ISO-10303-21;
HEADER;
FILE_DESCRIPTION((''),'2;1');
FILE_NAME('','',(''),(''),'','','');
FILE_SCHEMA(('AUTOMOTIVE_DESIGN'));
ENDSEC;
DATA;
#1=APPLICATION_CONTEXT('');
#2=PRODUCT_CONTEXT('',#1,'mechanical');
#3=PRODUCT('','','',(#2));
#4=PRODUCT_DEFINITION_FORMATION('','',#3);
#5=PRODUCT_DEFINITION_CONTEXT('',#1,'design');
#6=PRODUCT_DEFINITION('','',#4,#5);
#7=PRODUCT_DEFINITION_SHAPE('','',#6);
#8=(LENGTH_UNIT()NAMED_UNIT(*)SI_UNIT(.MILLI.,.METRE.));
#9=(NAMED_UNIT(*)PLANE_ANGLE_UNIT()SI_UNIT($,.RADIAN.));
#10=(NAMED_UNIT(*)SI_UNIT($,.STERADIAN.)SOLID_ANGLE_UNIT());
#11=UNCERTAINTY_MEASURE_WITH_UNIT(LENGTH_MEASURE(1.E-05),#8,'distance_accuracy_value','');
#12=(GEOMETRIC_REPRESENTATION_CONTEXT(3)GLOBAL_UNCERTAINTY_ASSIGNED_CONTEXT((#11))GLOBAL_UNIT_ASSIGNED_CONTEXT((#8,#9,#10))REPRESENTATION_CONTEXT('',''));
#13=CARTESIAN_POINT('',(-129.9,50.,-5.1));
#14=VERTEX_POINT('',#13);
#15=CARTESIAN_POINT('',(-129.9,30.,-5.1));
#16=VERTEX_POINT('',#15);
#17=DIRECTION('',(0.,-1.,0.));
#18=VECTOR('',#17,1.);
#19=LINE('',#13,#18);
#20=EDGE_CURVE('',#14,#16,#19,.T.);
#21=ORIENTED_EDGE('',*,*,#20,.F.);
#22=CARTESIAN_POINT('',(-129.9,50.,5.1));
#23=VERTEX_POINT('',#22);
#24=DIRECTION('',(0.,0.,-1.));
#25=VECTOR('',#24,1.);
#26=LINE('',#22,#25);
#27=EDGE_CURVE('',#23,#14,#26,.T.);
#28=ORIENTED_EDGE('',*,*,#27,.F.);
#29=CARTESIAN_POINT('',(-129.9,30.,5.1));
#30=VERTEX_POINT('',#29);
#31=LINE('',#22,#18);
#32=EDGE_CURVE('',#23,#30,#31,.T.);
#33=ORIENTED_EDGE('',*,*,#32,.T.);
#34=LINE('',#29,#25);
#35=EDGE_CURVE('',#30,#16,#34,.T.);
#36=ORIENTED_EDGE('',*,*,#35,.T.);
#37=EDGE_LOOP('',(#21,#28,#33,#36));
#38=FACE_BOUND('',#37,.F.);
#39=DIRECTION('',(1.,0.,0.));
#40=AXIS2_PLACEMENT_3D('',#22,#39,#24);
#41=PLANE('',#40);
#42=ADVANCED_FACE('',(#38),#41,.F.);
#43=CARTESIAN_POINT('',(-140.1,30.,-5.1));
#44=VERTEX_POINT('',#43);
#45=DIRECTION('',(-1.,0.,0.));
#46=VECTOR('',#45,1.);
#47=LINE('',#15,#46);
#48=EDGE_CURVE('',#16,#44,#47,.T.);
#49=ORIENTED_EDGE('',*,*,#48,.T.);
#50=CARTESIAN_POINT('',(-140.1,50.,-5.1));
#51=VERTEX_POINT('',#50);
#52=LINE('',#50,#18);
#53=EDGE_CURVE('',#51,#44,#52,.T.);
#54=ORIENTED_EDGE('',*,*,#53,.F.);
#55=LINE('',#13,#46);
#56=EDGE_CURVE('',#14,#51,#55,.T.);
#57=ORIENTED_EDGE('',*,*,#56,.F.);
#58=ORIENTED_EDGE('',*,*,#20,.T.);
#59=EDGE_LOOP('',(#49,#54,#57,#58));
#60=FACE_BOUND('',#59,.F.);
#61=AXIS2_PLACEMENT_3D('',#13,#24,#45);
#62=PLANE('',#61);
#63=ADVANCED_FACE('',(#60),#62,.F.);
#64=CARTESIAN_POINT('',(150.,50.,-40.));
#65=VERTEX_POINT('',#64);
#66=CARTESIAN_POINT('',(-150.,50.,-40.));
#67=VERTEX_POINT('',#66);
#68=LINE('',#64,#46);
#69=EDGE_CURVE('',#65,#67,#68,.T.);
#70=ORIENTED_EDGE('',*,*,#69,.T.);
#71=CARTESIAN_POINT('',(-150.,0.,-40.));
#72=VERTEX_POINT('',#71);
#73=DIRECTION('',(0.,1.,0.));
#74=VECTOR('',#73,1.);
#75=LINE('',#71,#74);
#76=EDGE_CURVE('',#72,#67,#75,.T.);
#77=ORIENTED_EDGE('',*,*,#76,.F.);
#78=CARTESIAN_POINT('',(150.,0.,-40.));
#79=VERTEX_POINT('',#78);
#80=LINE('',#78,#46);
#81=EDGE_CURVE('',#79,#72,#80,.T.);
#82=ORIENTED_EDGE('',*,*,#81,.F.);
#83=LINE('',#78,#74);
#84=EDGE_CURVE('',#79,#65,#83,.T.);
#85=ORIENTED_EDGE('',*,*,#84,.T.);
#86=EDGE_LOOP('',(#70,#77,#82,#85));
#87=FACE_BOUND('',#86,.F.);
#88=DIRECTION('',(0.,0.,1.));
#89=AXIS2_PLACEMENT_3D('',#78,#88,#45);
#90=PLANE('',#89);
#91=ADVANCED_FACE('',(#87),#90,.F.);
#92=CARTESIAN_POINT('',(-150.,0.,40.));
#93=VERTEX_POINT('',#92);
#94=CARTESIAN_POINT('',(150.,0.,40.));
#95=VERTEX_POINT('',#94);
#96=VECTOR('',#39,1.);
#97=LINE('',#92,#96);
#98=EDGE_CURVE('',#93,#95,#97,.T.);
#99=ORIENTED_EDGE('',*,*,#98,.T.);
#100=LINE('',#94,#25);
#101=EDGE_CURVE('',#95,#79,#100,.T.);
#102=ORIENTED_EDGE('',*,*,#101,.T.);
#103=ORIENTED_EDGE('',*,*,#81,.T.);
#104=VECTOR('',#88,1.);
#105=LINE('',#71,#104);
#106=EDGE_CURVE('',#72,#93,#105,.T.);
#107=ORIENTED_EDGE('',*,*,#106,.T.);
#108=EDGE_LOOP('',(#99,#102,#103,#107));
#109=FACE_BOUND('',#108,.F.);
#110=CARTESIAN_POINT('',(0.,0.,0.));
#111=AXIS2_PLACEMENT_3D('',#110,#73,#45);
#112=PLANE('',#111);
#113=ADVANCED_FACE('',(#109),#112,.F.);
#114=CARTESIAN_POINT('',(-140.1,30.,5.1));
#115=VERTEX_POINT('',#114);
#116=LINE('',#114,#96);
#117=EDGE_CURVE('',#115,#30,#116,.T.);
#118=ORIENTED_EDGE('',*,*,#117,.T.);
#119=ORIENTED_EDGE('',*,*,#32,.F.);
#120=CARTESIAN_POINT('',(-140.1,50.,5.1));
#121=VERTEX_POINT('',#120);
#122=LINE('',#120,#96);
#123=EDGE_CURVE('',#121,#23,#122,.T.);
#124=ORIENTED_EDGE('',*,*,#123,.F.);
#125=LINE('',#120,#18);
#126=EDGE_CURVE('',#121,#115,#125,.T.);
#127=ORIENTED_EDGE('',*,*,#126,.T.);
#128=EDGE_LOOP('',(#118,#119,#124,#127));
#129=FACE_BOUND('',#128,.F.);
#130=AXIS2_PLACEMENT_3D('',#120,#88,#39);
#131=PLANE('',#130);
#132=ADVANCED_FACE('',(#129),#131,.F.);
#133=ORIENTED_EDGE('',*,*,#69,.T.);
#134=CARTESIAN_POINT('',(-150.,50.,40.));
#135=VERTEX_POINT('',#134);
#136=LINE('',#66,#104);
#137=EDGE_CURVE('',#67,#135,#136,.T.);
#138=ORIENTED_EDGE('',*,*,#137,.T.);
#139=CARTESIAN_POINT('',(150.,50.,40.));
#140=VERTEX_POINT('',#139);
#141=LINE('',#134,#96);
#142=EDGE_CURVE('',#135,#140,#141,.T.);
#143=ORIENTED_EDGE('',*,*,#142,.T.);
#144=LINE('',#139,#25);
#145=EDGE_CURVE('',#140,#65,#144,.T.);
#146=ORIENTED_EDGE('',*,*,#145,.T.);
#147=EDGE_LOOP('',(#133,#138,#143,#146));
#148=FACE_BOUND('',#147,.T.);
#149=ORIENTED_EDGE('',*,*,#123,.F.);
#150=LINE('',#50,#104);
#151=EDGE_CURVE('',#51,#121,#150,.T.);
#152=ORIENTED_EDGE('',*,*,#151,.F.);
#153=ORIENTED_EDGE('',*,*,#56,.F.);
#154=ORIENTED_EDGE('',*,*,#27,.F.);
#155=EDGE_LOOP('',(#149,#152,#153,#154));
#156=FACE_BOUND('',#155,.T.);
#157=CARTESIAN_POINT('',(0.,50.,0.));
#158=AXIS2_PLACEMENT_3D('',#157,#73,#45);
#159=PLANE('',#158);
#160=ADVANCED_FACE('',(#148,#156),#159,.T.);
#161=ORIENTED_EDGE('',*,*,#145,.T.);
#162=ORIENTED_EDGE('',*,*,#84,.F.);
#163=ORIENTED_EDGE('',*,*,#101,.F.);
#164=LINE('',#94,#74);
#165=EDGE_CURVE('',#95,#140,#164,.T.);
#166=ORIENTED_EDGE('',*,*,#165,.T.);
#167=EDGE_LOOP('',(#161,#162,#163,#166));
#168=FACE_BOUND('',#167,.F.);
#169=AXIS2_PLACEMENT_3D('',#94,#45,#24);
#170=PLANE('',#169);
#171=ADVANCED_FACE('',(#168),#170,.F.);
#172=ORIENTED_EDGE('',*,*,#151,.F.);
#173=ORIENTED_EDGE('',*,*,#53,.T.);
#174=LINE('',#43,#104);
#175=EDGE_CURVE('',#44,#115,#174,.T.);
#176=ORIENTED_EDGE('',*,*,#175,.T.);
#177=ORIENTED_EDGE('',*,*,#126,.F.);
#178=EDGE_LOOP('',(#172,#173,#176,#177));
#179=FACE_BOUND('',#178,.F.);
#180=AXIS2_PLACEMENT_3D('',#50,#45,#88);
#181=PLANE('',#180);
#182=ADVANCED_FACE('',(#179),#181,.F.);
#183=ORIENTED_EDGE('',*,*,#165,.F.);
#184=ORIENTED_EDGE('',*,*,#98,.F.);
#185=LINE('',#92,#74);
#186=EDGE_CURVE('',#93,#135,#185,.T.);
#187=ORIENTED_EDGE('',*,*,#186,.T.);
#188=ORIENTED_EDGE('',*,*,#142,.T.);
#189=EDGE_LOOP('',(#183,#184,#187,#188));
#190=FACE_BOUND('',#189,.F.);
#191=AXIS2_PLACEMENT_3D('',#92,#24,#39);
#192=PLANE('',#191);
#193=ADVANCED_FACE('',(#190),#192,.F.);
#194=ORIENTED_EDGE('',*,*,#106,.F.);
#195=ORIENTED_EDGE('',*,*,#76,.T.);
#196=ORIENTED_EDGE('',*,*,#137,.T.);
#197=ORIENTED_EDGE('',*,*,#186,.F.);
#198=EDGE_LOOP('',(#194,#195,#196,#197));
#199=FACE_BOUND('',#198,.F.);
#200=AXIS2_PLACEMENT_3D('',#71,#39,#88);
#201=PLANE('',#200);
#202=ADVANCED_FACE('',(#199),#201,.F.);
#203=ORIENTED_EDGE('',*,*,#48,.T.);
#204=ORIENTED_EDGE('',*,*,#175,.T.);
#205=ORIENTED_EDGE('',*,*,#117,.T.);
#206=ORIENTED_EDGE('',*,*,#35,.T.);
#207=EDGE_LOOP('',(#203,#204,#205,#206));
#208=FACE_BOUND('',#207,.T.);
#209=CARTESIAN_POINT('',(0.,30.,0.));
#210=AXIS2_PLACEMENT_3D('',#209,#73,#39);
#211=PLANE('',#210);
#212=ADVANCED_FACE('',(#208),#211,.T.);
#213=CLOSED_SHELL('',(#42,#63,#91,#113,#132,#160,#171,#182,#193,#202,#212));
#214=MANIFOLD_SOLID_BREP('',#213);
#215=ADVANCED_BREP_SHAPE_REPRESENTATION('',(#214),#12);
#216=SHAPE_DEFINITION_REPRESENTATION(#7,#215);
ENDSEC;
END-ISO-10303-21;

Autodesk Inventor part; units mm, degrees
ref_plane "YZ Plane" through (0, 0, 0) normal (1, 0, 0) x (0, 1, 0)
ref_plane "XZ Plane" through (0, 0, 0) normal (0, 1, 0) x (-1, 0, 0)
ref_plane "XY Plane" through (0, 0, 0) normal (0, 0, 1) x (1, 0, 0)
sketch "Sketch1" plane through (0, 0, 0) normal (0, 1, 0) x (-1, 0, 0)
  line L0 (150, 40) -> (-150, 40)
  line L1 (-150, 40) -> (-150, -40)
  line L2 (-150, -40) -> (150, -40)
  line L3 (150, -40) -> (150, 40)
  point P0 (0, 0)
  dimension "d0" = 300
  dimension "d1" = 80
  dimension "d2" = 40
  dimension "d3" = 150
extrude "Extrusion1" add sketch "Sketch1" along normal blind 50
sketch "Sketch2" plane through (0, 50, 0) normal (0, 1, 0) x (1, 0, 0)
  line L0 (-140.1, -5.1) -> (-129.9, -5.1)
  line L1 (-129.9, -5.1) -> (-129.9, 5.1)
  line L2 (-129.9, 5.1) -> (-140.1, 5.1)
  line L3 (-140.1, 5.1) -> (-140.1, -5.1)
  line L4 (-150, 40) -> (-150, -40) projected
  line L5 (-150, -40) -> (150, -40) projected
  point P0 (0, 0)
  dimension "d6" = 10.2
  dimension "d7" = 10.2
  dimension "d8" = 9.9
  dimension "d9" = 34.9
extrude "Extrusion2" cut sketch "Sketch2" against normal blind 20
properties part number "basketball post"
